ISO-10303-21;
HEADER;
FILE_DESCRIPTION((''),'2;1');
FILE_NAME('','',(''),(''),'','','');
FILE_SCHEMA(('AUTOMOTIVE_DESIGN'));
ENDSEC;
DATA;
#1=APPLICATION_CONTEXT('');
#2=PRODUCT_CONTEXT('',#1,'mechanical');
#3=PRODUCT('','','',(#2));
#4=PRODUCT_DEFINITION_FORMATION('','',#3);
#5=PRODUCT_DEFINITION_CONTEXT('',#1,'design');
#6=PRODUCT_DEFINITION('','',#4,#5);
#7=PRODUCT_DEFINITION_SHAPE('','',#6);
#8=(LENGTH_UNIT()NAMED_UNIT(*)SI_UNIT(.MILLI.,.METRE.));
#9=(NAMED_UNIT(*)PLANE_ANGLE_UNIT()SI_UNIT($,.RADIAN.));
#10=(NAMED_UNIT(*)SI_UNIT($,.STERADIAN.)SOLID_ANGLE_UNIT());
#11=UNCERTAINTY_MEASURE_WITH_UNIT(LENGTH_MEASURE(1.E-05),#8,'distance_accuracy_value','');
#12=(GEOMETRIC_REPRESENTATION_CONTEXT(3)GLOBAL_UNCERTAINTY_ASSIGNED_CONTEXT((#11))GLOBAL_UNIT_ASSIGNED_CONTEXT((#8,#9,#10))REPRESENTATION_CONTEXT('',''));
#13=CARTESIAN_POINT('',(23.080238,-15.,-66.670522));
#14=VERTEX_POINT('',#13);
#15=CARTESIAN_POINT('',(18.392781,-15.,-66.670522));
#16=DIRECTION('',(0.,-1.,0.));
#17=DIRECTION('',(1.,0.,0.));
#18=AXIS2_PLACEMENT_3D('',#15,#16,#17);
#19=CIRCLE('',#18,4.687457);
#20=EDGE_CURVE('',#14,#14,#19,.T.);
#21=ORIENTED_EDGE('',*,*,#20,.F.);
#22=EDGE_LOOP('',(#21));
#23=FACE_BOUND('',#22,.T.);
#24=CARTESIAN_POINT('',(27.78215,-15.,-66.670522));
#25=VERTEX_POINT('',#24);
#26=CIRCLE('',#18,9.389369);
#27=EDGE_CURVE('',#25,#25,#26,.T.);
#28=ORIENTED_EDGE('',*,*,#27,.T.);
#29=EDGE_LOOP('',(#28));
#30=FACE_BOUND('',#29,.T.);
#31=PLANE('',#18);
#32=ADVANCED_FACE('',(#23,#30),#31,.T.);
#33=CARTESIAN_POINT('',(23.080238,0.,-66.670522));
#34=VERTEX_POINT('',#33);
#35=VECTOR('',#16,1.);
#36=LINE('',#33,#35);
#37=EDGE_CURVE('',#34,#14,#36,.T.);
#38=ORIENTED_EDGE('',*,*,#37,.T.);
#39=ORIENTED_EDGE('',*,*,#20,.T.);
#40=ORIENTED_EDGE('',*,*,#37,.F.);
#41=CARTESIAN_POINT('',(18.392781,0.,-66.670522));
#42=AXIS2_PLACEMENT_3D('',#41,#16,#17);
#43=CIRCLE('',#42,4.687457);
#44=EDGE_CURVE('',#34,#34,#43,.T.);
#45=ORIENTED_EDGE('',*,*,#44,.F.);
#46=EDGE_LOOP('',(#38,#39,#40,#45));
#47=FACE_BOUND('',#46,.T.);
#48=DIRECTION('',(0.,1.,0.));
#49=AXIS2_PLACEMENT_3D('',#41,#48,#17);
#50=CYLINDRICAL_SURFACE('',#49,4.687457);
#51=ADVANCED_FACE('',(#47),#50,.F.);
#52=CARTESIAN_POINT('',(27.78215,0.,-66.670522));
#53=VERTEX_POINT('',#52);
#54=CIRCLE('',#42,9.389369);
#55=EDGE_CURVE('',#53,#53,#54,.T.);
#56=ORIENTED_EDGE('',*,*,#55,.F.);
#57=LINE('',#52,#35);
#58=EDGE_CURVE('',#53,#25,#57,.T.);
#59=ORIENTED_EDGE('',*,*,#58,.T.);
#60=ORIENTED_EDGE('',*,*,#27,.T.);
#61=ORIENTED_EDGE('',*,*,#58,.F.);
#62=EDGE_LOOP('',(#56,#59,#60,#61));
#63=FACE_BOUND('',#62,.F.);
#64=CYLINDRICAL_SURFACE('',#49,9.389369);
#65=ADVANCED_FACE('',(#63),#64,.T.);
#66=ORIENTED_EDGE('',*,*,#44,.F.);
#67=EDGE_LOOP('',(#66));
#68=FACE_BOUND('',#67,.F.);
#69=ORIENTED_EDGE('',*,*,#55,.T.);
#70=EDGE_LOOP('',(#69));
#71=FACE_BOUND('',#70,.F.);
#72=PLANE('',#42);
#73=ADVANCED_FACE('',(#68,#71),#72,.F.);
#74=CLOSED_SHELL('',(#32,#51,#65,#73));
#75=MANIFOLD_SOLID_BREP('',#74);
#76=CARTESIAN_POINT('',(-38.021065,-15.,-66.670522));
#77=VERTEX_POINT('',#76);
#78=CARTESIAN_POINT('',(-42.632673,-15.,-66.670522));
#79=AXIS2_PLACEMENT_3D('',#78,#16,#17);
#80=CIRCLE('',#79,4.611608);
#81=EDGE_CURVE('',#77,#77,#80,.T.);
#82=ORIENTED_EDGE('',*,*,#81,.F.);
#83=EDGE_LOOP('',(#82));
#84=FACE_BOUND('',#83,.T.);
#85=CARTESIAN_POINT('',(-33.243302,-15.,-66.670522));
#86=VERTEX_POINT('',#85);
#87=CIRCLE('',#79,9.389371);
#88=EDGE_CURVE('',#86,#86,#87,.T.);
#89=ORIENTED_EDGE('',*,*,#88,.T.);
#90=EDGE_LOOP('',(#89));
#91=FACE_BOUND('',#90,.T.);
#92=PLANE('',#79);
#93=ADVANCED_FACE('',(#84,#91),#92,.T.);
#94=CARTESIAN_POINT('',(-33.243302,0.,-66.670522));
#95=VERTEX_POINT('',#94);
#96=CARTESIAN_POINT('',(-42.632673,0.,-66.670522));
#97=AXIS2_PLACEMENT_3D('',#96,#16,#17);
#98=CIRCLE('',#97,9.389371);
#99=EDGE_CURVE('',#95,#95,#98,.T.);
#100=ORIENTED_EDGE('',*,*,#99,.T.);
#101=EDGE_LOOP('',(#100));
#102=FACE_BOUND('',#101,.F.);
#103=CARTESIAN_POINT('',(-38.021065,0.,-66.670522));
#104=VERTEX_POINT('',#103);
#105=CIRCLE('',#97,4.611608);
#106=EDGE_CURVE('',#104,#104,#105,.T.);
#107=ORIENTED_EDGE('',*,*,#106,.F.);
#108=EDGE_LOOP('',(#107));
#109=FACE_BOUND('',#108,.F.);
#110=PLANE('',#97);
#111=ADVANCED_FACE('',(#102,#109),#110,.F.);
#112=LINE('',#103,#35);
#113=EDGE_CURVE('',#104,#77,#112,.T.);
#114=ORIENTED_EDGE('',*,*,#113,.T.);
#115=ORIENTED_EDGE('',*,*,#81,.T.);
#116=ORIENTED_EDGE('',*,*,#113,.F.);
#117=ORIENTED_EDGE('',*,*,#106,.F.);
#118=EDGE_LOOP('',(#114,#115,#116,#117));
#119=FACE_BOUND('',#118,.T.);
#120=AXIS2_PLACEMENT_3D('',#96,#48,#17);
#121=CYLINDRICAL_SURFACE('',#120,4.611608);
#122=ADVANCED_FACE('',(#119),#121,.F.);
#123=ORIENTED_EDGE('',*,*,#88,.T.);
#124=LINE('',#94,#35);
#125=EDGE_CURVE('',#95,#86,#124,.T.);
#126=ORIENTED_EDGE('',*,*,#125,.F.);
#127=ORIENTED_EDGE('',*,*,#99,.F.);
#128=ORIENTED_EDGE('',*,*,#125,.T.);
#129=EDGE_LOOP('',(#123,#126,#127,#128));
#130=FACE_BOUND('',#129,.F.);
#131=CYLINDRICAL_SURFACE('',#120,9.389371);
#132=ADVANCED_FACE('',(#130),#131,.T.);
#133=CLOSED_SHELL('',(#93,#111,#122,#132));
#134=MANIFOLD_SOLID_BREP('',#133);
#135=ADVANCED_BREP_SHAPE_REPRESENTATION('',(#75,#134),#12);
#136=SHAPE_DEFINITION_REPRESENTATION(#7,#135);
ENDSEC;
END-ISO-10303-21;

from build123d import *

# Parameters (mm, degrees)
F0_R     = 9.389371
F0_R_2   = 4.611608
F1_R     = 9.389369
F1_R_2   = 4.687457
F2_DEPTH = 15


with BuildPart() as f2:
    # F0 (on Front) + F1 (on Front) → F2 (new body)
    with BuildSketch(Plane.XZ):
        with Locations((-42.632673, -66.670522)):
            Circle(F0_R)
        with Locations((-42.632673, -66.670522)):
            Circle(F0_R_2, mode=Mode.SUBTRACT)
    with BuildSketch(Plane.XZ):
        with Locations((18.392781, -66.670522)):
            Circle(F1_R)
        with Locations((18.392781, -66.670522)):
            Circle(F1_R_2, mode=Mode.SUBTRACT)
    extrude(amount=F2_DEPTH)


solid = f2.part
